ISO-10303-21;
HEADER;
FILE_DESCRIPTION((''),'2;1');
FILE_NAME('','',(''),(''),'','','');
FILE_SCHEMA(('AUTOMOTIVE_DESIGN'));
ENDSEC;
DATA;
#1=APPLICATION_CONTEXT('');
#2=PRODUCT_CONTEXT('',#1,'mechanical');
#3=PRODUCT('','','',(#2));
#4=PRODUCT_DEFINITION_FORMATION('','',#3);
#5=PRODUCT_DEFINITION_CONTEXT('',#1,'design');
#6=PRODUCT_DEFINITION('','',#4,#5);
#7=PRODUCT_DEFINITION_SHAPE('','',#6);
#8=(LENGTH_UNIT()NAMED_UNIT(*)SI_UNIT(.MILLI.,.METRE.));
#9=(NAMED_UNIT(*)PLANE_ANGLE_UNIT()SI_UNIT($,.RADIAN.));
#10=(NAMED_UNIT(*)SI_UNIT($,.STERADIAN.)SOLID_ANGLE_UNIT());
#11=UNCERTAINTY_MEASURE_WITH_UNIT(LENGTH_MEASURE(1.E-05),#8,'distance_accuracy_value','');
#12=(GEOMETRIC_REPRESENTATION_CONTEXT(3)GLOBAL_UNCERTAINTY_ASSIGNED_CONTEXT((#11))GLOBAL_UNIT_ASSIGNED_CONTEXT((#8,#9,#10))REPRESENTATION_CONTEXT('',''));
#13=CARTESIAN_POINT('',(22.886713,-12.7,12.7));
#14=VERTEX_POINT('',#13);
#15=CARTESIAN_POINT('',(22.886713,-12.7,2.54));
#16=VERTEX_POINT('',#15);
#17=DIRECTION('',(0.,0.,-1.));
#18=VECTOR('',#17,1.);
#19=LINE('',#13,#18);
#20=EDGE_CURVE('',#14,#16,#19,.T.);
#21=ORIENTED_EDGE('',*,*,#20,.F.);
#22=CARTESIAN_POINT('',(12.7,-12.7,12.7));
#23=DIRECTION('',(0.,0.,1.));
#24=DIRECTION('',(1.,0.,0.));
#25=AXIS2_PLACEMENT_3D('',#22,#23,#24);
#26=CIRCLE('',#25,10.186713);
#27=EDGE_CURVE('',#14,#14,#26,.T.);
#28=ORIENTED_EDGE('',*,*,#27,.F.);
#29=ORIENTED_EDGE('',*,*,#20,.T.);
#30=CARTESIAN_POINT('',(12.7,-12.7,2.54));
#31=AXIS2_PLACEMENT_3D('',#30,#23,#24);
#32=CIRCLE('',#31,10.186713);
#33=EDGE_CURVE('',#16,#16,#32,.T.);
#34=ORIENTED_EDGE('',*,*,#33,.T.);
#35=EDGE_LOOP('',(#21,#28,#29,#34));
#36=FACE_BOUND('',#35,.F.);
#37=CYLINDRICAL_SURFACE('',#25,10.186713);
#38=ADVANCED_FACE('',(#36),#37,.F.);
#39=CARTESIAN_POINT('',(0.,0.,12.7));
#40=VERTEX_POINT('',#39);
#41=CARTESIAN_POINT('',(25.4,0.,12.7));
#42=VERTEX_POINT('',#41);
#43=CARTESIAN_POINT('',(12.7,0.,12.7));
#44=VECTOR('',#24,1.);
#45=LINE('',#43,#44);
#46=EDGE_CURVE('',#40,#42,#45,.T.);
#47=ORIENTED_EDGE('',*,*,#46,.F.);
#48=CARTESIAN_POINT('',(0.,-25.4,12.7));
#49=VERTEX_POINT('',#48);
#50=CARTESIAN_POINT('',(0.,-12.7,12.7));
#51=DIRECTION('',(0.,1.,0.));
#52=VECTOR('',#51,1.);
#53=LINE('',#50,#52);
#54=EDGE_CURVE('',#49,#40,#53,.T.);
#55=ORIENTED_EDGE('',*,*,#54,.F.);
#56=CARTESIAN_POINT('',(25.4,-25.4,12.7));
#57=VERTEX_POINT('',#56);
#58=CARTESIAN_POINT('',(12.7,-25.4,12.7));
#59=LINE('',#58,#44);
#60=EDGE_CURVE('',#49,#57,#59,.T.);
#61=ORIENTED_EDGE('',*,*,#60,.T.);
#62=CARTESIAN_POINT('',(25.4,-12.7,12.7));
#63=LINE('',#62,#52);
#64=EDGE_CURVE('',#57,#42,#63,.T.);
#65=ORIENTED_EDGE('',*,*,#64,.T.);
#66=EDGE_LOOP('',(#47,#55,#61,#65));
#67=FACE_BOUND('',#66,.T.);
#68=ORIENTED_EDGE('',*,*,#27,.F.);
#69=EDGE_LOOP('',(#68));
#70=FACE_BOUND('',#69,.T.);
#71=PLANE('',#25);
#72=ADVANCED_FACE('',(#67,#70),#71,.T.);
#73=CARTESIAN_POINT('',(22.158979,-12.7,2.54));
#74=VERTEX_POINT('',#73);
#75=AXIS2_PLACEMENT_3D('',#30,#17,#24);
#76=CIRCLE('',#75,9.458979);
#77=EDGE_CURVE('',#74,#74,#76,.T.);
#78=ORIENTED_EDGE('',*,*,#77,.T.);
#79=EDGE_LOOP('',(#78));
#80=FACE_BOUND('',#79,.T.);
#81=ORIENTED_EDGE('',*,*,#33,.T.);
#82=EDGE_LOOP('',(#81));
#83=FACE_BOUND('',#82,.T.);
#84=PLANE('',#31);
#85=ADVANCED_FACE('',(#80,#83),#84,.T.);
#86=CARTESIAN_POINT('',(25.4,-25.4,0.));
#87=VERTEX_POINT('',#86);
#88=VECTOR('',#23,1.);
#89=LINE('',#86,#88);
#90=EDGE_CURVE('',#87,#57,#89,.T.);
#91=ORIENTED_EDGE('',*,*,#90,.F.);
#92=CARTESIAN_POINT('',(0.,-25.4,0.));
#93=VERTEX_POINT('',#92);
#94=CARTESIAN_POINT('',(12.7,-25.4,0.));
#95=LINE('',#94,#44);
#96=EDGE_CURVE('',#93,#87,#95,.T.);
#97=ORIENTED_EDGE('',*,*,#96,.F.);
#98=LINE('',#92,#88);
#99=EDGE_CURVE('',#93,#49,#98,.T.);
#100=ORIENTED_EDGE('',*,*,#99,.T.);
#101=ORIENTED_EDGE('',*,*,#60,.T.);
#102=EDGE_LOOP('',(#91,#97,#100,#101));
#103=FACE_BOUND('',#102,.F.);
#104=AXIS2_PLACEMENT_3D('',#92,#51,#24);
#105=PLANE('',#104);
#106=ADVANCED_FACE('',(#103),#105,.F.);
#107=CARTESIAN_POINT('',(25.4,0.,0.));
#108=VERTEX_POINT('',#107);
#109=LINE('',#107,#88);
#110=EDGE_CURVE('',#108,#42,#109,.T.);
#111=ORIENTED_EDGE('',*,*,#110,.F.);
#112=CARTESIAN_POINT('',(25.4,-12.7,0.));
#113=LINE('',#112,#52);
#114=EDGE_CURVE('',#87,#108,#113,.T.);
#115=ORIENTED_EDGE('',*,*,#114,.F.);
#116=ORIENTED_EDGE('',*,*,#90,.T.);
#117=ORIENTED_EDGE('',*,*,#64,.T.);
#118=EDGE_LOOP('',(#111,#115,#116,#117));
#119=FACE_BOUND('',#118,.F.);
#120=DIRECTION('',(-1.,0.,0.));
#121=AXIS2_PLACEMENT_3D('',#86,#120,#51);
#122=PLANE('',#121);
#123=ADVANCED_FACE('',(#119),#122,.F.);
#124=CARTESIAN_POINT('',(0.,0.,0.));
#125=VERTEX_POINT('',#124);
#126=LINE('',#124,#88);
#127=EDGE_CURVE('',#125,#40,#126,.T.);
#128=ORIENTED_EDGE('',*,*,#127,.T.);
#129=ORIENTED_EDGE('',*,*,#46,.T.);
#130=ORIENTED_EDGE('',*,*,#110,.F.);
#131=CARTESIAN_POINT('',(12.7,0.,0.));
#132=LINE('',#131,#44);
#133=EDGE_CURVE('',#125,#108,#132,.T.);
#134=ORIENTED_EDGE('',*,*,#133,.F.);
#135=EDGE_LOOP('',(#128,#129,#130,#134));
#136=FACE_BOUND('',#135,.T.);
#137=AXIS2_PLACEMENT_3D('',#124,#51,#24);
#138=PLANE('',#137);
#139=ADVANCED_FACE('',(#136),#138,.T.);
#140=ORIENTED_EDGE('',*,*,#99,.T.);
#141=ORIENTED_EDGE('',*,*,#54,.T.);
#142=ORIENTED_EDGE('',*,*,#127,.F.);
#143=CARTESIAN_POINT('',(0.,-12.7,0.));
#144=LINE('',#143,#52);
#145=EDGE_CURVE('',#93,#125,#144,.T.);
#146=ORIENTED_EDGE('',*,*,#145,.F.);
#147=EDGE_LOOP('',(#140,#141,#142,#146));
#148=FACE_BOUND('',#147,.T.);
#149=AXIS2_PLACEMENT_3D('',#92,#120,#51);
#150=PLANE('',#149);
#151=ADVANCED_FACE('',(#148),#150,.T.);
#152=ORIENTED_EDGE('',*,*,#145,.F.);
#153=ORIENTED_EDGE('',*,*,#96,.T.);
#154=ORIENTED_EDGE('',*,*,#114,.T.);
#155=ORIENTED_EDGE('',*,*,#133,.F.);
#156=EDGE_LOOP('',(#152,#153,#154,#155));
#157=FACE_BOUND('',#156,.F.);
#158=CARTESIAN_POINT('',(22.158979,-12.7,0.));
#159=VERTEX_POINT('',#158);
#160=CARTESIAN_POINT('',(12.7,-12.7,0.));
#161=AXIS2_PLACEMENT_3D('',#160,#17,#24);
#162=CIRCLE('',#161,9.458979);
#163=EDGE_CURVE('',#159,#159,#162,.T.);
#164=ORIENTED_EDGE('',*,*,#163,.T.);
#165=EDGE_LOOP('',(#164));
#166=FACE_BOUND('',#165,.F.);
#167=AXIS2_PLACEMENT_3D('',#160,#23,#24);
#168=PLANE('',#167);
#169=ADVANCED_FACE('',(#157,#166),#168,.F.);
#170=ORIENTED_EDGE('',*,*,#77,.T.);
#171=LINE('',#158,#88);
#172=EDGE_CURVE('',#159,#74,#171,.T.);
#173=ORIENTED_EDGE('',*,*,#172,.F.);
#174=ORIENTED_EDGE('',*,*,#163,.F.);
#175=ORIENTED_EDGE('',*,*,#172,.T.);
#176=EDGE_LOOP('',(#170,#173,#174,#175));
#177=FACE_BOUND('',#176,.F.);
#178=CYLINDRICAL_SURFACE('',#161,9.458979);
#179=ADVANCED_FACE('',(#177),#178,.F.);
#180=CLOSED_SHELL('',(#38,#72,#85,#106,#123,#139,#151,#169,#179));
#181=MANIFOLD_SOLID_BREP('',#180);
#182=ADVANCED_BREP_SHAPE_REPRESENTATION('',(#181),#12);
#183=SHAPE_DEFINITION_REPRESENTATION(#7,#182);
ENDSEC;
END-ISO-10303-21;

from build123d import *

# Parameters (mm, degrees)
F0_W     = 25.4
F0_H     = 25.4
F1_DEPTH = 12.7
F2_R     = 10.186713
F3_DEPTH = 10.16
F4_R     = 9.458979
F5_DEPTH = 2.54


with BuildPart() as f1:
    # F0 (on Top) → F1 (new body)
    with BuildSketch(Plane.XY):
        with Locations((12.7, -12.7)):
            Rectangle(F0_W, F0_H)
    extrude(amount=F1_DEPTH)

    # F2 (on face) → F3 (cut)
    with BuildSketch(Plane.XY.offset(12.7)):
        with Locations((12.7, -12.7)):
            Circle(F2_R)
    extrude(amount=-F3_DEPTH, mode=Mode.SUBTRACT)

    # F4 (on face) → F5 (cut)
    with BuildSketch(Plane(origin=(0, 0, 0), x_dir=(1, 0, 0), z_dir=(0, 0, -1))):
        with Locations((12.7, 12.7)):
            Circle(F4_R)
    extrude(amount=-F5_DEPTH, mode=Mode.SUBTRACT)


solid = f1.part
